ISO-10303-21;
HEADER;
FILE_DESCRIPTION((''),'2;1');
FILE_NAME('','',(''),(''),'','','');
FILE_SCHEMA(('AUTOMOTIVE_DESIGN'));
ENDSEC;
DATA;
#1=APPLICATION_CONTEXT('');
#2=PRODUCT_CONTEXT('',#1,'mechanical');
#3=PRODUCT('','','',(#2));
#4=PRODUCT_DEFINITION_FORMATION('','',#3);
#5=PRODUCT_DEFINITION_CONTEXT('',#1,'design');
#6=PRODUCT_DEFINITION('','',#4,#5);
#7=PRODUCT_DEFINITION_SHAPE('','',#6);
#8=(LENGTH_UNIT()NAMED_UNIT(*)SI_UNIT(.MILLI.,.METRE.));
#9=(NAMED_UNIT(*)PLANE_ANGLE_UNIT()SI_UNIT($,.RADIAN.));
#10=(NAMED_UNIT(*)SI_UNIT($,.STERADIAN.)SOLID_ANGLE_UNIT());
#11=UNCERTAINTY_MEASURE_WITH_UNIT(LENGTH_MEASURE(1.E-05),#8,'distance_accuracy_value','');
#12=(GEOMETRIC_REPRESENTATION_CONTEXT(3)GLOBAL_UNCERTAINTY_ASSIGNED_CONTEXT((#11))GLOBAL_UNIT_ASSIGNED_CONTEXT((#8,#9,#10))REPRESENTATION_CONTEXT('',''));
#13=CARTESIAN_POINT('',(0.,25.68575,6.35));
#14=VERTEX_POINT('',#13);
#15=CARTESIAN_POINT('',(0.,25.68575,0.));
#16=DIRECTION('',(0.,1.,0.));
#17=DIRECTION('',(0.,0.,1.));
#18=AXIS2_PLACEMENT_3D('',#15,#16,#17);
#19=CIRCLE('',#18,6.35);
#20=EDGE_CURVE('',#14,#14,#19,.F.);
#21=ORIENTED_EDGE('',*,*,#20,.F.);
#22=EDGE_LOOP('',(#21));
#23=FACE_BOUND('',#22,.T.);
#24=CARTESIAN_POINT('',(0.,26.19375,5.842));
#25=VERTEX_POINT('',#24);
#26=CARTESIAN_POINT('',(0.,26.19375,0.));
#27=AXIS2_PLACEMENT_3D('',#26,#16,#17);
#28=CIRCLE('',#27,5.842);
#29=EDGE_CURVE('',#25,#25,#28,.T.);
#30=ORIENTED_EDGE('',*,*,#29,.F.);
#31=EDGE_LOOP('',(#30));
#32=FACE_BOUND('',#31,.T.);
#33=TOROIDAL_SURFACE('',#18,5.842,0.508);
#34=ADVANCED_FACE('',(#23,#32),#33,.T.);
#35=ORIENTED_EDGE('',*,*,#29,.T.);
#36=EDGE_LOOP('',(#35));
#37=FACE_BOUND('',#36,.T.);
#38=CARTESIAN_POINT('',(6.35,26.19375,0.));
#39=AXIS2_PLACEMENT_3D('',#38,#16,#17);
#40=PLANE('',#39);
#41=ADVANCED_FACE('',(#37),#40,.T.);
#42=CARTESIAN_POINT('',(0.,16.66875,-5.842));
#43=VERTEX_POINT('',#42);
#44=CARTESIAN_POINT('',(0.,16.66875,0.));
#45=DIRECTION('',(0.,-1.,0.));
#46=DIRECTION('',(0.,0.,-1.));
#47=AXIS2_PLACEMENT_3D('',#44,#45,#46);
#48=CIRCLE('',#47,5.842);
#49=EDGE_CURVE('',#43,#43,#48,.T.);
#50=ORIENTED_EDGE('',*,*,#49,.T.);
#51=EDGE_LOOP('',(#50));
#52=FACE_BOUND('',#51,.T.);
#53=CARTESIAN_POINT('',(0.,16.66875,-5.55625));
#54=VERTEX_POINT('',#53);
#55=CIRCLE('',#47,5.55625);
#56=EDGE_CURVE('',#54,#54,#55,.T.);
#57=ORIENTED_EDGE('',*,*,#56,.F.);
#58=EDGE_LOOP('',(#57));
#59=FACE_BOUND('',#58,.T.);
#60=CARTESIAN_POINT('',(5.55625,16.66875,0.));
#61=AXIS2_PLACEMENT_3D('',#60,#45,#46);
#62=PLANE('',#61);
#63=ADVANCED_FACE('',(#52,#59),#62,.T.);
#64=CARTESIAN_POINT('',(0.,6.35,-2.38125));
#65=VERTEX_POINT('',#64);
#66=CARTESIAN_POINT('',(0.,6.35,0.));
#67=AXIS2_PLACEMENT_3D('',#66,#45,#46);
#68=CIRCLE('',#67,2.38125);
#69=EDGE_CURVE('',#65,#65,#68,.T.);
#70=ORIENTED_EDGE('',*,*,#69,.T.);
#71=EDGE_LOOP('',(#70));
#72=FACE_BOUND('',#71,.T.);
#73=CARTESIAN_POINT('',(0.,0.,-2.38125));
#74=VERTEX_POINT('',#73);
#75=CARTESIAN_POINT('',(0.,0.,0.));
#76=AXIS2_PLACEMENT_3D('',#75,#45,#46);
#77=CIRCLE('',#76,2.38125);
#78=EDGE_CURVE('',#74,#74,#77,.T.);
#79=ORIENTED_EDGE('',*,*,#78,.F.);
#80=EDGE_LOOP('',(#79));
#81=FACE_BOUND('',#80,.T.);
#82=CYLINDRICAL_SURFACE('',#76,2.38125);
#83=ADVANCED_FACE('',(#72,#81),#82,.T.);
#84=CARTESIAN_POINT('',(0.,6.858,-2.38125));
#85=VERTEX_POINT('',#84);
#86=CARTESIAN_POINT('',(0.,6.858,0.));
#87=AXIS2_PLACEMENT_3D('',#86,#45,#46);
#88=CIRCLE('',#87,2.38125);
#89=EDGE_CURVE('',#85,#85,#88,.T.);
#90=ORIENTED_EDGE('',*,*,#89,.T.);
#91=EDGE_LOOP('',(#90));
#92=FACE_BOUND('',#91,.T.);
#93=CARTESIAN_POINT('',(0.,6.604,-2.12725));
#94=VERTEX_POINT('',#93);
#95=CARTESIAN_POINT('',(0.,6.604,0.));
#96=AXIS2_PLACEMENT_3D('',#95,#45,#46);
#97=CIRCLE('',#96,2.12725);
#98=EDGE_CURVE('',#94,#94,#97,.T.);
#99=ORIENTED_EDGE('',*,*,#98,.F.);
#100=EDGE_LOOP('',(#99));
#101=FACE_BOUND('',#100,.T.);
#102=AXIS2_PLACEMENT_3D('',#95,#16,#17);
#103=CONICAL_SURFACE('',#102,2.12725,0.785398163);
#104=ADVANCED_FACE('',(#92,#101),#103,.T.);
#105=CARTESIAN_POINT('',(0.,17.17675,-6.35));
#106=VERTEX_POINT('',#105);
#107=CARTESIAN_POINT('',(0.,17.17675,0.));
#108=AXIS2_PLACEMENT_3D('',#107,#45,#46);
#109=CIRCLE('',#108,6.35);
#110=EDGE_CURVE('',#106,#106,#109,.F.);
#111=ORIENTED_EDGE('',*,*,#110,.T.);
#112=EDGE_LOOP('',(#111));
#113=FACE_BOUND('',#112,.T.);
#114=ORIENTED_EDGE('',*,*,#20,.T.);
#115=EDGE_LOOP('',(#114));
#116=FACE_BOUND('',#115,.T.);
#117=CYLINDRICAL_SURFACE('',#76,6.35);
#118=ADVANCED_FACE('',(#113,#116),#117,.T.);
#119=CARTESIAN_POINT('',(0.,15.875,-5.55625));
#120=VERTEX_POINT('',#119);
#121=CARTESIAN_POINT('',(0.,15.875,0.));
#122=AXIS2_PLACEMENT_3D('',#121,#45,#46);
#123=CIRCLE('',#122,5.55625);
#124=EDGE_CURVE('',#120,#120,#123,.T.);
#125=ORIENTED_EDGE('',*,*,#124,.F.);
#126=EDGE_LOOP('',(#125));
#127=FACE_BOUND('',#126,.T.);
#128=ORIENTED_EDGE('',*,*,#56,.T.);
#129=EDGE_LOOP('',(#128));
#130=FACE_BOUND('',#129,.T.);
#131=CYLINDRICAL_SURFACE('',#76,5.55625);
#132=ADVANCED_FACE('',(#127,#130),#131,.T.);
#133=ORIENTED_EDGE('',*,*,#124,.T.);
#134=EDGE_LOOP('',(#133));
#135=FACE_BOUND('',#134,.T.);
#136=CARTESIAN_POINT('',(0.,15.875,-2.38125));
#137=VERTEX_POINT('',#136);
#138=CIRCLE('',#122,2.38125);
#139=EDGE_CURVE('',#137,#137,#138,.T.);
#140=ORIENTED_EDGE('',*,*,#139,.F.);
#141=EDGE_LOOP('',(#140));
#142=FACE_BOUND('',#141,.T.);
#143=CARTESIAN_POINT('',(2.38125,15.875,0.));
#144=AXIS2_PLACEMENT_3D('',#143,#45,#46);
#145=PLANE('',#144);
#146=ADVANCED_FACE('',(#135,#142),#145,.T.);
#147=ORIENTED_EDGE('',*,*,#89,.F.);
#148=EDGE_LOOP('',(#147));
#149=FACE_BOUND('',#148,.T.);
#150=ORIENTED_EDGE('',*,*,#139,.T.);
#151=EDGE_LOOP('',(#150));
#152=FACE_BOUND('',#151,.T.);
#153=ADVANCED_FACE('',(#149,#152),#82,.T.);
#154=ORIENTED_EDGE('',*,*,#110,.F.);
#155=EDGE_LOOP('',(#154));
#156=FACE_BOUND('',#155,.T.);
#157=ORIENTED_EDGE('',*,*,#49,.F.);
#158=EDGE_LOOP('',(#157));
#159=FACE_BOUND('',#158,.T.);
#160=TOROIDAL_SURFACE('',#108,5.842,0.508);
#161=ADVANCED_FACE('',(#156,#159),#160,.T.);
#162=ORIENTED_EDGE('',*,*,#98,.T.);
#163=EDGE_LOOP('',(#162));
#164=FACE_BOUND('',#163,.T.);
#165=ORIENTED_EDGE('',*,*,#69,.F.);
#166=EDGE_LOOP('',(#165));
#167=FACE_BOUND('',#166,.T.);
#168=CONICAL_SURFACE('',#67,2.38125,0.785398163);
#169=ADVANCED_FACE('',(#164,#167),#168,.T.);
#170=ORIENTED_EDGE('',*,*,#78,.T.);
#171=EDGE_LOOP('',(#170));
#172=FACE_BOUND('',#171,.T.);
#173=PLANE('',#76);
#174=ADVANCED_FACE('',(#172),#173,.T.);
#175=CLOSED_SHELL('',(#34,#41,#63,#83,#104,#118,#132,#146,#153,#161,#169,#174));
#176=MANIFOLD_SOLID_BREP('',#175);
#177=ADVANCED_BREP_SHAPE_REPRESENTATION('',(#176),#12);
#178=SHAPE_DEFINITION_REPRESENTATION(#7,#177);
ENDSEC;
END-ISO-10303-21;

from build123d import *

# Parameters (mm, degrees)
FILLET1_R = 0.508


with BuildPart() as part:
    # Sketch1 → Revolve1 (revolve)
    with BuildSketch(Plane.XY, mode=Mode.PRIVATE) as revolve1_sk:
        Polygon((0, 0), (2.38125, 0), (2.38125, 6.35), (2.12725, 6.604), (2.38125, 6.858), (2.38125, 15.875), (5.55625, 15.875), (5.55625, 16.66875), (6.35, 16.66875), (6.35, 26.19375), (0, 26.19375), align=None)
    revolve(revolve1_sk.sketch.rotate(Axis((0, 0, 0), (0, 1, 0)), 90), axis=Axis((0, 0, 0), (0, 1, 0)))  # turned: the seam where the file's is

    # Fillet1
    fillet1_edges = [part.edges().sort_by_distance(p)[0] for p in [
        (0, 26.19375, 6.35),
        (0, 16.66875, 6.35),
    ]]
    fillet(fillet1_edges, radius=FILLET1_R)


solid = part.part
